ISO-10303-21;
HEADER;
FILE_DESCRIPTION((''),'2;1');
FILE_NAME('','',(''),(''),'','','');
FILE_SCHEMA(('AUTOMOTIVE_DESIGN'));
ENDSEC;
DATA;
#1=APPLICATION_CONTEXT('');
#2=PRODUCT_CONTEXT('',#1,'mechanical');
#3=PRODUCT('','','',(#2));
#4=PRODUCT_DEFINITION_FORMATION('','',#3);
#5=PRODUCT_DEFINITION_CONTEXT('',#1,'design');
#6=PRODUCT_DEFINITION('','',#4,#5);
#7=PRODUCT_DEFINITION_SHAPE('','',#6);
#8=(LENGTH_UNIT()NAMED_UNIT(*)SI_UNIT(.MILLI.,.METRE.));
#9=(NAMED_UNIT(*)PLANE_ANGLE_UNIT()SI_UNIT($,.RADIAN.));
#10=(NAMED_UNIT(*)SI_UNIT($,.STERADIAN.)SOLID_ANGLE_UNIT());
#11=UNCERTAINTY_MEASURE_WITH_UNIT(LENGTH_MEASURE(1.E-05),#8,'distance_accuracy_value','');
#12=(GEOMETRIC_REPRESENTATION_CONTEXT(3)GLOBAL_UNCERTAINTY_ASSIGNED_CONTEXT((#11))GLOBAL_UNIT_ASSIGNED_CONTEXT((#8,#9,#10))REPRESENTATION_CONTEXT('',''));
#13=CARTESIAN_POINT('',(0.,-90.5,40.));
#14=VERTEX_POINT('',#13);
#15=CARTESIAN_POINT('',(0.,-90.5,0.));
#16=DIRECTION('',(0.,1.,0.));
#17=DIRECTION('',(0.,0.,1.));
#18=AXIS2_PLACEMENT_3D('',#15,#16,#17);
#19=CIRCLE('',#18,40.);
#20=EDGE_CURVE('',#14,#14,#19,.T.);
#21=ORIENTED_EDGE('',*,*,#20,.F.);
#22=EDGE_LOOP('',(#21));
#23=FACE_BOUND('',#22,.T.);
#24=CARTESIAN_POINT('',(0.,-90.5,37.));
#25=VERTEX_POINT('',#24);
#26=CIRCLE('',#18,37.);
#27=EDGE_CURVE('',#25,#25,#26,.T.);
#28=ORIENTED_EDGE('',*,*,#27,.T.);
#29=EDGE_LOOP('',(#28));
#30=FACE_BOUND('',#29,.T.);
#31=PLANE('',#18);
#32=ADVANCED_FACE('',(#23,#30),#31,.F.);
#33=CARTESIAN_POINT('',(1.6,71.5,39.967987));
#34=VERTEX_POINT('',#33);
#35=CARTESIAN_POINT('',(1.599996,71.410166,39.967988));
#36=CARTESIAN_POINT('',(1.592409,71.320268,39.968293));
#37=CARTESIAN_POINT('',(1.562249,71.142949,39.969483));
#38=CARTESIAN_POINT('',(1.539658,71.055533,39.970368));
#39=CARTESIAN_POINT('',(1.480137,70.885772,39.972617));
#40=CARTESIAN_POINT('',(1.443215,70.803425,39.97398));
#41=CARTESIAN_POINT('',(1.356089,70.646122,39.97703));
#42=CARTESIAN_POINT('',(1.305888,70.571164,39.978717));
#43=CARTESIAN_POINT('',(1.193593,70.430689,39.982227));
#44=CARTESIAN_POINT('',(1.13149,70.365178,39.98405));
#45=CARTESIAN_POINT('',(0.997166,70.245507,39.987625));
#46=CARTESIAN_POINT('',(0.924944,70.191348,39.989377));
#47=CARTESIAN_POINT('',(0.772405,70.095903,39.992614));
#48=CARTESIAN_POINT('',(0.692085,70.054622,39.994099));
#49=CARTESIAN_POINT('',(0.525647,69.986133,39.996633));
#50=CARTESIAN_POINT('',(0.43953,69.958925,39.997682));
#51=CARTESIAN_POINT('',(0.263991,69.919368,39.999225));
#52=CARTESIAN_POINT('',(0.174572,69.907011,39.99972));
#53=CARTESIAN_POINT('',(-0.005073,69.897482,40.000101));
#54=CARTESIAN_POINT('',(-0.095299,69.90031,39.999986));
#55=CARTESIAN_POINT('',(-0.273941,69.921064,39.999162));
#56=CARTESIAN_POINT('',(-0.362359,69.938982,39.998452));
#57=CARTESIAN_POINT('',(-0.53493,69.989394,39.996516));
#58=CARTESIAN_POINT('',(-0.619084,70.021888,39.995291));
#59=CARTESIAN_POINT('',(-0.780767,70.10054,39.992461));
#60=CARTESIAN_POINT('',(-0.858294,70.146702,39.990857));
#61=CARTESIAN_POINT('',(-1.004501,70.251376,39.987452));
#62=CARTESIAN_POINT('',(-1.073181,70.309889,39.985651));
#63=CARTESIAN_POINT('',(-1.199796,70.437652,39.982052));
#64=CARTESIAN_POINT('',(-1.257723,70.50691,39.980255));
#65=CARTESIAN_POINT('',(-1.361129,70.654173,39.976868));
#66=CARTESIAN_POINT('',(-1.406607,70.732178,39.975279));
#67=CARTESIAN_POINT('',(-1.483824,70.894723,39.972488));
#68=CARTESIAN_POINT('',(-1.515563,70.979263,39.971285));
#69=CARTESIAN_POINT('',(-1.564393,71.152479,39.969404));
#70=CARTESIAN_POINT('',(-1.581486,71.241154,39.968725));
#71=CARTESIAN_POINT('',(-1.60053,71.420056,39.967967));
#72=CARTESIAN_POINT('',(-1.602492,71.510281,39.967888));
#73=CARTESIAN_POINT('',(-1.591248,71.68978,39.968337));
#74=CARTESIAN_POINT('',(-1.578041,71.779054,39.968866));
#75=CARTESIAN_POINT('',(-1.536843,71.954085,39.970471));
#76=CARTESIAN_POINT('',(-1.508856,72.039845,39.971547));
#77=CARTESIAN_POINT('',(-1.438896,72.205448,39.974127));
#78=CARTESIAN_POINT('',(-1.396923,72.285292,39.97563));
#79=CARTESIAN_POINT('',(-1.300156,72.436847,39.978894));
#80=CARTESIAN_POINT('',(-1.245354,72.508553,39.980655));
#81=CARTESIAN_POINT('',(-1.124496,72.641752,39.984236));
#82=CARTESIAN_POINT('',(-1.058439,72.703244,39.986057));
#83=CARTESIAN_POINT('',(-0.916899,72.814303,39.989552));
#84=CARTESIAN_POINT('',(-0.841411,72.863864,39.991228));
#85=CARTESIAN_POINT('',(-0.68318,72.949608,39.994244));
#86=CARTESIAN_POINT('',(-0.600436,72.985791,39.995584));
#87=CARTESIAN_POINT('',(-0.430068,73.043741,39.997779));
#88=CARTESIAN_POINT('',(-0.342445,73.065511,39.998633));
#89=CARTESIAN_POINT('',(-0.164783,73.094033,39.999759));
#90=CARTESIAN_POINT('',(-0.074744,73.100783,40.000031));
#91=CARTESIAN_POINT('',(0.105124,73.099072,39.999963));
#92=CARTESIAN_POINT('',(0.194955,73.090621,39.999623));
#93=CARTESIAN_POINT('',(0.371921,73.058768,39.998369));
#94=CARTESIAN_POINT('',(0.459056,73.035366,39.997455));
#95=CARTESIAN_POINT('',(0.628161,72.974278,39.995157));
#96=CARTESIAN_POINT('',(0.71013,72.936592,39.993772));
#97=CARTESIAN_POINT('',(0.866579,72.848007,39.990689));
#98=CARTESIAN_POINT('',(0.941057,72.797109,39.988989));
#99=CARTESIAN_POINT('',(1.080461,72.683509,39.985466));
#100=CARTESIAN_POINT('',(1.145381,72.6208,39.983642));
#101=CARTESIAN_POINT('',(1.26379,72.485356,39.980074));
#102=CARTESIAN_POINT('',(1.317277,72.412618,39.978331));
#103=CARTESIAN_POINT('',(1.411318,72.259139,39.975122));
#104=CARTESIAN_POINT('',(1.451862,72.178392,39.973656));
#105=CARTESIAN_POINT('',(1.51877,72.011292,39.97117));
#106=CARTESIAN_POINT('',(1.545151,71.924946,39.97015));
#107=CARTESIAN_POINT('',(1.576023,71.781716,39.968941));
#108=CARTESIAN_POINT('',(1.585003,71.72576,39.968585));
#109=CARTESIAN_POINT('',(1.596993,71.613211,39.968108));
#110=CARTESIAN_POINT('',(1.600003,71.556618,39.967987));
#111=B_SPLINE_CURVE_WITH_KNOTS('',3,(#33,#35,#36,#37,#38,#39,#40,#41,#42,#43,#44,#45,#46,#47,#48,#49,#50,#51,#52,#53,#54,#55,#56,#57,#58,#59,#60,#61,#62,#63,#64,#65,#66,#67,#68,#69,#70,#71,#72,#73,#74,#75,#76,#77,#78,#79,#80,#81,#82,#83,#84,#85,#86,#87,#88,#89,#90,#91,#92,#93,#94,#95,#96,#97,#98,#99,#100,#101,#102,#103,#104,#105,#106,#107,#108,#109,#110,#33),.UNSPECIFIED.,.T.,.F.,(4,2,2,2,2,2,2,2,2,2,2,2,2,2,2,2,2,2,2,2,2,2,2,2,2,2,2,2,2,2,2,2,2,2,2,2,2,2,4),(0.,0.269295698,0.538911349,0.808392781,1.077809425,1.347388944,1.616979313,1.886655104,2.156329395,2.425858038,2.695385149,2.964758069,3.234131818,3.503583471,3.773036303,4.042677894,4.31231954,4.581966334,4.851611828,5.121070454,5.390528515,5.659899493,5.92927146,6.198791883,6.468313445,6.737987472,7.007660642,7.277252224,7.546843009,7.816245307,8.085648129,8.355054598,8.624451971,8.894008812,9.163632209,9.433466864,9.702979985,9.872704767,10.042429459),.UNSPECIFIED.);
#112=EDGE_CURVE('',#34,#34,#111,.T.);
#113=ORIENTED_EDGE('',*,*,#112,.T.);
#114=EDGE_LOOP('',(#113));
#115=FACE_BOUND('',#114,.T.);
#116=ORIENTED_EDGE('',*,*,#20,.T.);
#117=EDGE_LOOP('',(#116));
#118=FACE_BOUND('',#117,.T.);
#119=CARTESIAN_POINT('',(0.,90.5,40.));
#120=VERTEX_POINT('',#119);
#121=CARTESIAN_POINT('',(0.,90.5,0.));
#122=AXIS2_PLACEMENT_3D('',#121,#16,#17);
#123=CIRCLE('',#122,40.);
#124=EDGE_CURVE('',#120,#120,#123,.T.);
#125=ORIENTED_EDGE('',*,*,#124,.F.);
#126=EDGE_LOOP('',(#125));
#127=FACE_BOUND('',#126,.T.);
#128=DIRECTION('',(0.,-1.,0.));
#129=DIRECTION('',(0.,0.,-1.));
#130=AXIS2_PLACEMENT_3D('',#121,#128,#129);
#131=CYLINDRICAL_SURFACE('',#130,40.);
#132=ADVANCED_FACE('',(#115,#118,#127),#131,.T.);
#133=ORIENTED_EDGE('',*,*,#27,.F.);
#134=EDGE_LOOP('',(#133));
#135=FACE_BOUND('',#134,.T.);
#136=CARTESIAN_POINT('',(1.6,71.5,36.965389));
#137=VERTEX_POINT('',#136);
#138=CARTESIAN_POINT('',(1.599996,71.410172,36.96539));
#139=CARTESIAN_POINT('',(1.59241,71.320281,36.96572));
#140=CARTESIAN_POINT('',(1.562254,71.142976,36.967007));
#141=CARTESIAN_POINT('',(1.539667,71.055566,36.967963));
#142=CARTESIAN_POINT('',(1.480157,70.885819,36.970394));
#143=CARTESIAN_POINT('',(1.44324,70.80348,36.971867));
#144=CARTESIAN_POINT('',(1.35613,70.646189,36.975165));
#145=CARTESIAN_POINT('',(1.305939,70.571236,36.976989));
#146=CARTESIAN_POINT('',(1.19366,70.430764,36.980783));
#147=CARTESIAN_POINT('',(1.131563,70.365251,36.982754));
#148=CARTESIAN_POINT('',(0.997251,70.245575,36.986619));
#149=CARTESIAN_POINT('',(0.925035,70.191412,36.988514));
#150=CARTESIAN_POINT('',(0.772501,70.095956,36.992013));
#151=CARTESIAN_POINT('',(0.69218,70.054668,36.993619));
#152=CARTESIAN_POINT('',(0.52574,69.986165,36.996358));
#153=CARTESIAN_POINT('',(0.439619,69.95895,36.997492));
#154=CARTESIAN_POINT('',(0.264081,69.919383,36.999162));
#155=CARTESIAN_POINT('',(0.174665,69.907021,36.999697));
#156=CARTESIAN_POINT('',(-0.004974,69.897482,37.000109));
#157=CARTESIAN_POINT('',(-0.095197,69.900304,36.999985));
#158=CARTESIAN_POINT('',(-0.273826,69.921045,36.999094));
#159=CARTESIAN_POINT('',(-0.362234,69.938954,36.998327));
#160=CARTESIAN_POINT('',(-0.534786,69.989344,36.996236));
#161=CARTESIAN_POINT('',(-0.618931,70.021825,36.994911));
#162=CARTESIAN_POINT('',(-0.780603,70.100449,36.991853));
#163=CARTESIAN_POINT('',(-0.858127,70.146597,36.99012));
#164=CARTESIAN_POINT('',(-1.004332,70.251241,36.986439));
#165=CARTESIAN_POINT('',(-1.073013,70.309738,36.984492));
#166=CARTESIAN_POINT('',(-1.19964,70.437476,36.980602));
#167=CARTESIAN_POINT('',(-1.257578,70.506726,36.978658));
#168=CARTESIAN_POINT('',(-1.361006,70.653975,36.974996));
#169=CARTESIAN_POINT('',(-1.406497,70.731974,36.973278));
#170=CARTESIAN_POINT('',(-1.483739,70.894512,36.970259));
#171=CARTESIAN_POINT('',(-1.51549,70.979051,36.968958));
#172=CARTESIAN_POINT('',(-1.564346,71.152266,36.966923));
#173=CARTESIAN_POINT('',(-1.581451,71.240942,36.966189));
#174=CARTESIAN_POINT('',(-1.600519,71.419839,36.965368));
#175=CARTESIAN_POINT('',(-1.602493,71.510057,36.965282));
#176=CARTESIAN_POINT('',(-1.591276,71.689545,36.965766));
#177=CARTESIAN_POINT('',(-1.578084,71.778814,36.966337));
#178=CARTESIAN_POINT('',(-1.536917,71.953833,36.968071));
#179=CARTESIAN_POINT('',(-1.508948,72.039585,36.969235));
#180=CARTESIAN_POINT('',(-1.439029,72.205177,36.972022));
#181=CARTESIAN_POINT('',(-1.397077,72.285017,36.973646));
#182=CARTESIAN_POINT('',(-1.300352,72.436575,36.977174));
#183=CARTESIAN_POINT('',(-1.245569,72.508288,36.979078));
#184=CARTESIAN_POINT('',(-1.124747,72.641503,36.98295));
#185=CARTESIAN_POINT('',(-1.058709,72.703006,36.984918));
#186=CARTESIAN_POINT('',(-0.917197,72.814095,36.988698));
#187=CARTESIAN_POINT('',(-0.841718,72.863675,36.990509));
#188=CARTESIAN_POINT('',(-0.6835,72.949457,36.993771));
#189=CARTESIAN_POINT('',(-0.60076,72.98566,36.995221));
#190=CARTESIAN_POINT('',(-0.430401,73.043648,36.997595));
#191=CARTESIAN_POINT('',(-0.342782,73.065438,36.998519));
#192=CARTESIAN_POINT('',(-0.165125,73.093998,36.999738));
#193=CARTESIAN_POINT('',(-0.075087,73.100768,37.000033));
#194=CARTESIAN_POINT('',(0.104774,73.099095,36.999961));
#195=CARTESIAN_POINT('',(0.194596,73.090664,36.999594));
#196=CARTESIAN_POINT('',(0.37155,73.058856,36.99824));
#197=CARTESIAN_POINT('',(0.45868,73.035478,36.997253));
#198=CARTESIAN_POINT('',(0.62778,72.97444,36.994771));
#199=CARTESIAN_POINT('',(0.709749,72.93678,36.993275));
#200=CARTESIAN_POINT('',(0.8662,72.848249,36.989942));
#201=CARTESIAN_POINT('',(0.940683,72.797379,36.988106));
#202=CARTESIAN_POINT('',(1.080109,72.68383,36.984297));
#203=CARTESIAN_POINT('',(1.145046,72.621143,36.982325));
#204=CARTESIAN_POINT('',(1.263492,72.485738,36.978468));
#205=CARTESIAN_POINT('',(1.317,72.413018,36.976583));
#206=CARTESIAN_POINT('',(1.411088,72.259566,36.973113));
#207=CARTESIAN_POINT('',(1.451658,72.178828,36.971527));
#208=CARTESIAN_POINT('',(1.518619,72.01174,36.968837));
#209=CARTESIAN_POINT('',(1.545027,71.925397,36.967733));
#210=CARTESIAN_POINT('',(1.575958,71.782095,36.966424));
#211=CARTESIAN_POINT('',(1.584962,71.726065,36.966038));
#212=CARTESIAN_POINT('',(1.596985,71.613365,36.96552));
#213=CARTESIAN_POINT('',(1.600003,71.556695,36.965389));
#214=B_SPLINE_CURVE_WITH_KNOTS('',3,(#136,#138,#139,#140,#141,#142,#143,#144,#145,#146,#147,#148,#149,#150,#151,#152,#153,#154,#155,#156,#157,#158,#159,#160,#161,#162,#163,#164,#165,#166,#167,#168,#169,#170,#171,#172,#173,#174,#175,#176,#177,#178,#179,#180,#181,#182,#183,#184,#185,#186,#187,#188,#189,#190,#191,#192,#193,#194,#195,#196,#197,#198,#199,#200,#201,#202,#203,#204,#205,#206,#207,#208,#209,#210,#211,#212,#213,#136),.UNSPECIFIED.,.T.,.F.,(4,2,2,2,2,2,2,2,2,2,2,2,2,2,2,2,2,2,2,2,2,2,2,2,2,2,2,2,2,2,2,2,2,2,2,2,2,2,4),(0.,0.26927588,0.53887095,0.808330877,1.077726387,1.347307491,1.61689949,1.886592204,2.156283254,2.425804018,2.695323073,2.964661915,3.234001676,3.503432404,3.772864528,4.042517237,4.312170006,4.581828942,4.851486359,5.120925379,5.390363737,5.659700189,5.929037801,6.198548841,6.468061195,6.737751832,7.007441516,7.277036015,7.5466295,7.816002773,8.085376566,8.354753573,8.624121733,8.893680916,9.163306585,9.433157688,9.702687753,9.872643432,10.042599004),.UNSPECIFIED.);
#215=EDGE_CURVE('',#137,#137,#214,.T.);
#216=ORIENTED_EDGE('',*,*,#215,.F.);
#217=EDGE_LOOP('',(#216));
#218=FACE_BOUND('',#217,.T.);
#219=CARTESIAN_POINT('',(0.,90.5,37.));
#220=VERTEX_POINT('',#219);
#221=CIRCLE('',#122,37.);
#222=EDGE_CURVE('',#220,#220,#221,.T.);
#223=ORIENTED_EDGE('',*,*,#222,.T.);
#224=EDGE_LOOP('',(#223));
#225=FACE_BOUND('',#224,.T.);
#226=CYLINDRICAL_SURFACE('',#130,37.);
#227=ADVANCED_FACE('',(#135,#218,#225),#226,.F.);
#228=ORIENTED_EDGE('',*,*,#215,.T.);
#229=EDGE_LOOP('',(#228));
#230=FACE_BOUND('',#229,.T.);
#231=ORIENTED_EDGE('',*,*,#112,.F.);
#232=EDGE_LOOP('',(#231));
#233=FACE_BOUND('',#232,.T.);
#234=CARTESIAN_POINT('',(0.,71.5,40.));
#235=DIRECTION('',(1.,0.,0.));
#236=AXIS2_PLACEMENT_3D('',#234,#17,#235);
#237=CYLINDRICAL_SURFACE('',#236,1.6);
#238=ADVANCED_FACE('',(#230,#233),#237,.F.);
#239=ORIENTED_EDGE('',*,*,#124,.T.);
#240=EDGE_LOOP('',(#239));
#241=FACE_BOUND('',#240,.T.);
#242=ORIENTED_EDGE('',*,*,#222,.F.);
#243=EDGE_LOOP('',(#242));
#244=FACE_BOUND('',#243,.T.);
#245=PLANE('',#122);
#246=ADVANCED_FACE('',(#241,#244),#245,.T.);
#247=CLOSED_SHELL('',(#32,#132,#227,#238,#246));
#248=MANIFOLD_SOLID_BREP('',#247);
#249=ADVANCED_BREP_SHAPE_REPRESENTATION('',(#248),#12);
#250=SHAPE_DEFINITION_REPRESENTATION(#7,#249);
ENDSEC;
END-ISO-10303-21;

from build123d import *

# Parameters (mm, degrees)
SKETCH_1_R              = 40
SKETCH_1_R_2            = 37
EXTRUDE_1_DEPTH         = 90.5
HOLE_WIZARD_M3_1_REACH  = 187.051
HOLE_WIZARD_M3_1_BORE_R = 1.6


with BuildPart() as part:
    # 草图1 → 凸台-拉伸1 (new, symmetric)
    with BuildSketch(Plane(origin=(0, 0, 0), x_dir=(1, 0, 0), z_dir=(0, 1, 0))):
        with Locations(Location((0, 0, 0), (0, 0, 270))):
            Circle(SKETCH_1_R)
        with Locations(Location((0, 0, 0), (0, 0, 270))):
            Circle(SKETCH_1_R_2, mode=Mode.SUBTRACT)
    extrude(amount=EXTRUDE_1_DEPTH, both=True)

    # M3 间隙孔1 bore (on position points) → M3 间隙孔1 (cut, up to next)
    with BuildSketch(Plane(origin=(0, 71.5, 40), x_dir=(1, 0, 0), z_dir=(0, 0, 1)), mode=Mode.PRIVATE) as hole_wizard_m3_1_sk1:
        Circle(HOLE_WIZARD_M3_1_BORE_R)
    hole_wizard_m3_1_tool1 = extrude(hole_wizard_m3_1_sk1.sketch, amount=-HOLE_WIZARD_M3_1_REACH, mode=Mode.PRIVATE) & part.part
    add(hole_wizard_m3_1_tool1.solids().sort_by_distance((0, 71.5, 40))[0], mode=Mode.SUBTRACT)


solid = part.part
